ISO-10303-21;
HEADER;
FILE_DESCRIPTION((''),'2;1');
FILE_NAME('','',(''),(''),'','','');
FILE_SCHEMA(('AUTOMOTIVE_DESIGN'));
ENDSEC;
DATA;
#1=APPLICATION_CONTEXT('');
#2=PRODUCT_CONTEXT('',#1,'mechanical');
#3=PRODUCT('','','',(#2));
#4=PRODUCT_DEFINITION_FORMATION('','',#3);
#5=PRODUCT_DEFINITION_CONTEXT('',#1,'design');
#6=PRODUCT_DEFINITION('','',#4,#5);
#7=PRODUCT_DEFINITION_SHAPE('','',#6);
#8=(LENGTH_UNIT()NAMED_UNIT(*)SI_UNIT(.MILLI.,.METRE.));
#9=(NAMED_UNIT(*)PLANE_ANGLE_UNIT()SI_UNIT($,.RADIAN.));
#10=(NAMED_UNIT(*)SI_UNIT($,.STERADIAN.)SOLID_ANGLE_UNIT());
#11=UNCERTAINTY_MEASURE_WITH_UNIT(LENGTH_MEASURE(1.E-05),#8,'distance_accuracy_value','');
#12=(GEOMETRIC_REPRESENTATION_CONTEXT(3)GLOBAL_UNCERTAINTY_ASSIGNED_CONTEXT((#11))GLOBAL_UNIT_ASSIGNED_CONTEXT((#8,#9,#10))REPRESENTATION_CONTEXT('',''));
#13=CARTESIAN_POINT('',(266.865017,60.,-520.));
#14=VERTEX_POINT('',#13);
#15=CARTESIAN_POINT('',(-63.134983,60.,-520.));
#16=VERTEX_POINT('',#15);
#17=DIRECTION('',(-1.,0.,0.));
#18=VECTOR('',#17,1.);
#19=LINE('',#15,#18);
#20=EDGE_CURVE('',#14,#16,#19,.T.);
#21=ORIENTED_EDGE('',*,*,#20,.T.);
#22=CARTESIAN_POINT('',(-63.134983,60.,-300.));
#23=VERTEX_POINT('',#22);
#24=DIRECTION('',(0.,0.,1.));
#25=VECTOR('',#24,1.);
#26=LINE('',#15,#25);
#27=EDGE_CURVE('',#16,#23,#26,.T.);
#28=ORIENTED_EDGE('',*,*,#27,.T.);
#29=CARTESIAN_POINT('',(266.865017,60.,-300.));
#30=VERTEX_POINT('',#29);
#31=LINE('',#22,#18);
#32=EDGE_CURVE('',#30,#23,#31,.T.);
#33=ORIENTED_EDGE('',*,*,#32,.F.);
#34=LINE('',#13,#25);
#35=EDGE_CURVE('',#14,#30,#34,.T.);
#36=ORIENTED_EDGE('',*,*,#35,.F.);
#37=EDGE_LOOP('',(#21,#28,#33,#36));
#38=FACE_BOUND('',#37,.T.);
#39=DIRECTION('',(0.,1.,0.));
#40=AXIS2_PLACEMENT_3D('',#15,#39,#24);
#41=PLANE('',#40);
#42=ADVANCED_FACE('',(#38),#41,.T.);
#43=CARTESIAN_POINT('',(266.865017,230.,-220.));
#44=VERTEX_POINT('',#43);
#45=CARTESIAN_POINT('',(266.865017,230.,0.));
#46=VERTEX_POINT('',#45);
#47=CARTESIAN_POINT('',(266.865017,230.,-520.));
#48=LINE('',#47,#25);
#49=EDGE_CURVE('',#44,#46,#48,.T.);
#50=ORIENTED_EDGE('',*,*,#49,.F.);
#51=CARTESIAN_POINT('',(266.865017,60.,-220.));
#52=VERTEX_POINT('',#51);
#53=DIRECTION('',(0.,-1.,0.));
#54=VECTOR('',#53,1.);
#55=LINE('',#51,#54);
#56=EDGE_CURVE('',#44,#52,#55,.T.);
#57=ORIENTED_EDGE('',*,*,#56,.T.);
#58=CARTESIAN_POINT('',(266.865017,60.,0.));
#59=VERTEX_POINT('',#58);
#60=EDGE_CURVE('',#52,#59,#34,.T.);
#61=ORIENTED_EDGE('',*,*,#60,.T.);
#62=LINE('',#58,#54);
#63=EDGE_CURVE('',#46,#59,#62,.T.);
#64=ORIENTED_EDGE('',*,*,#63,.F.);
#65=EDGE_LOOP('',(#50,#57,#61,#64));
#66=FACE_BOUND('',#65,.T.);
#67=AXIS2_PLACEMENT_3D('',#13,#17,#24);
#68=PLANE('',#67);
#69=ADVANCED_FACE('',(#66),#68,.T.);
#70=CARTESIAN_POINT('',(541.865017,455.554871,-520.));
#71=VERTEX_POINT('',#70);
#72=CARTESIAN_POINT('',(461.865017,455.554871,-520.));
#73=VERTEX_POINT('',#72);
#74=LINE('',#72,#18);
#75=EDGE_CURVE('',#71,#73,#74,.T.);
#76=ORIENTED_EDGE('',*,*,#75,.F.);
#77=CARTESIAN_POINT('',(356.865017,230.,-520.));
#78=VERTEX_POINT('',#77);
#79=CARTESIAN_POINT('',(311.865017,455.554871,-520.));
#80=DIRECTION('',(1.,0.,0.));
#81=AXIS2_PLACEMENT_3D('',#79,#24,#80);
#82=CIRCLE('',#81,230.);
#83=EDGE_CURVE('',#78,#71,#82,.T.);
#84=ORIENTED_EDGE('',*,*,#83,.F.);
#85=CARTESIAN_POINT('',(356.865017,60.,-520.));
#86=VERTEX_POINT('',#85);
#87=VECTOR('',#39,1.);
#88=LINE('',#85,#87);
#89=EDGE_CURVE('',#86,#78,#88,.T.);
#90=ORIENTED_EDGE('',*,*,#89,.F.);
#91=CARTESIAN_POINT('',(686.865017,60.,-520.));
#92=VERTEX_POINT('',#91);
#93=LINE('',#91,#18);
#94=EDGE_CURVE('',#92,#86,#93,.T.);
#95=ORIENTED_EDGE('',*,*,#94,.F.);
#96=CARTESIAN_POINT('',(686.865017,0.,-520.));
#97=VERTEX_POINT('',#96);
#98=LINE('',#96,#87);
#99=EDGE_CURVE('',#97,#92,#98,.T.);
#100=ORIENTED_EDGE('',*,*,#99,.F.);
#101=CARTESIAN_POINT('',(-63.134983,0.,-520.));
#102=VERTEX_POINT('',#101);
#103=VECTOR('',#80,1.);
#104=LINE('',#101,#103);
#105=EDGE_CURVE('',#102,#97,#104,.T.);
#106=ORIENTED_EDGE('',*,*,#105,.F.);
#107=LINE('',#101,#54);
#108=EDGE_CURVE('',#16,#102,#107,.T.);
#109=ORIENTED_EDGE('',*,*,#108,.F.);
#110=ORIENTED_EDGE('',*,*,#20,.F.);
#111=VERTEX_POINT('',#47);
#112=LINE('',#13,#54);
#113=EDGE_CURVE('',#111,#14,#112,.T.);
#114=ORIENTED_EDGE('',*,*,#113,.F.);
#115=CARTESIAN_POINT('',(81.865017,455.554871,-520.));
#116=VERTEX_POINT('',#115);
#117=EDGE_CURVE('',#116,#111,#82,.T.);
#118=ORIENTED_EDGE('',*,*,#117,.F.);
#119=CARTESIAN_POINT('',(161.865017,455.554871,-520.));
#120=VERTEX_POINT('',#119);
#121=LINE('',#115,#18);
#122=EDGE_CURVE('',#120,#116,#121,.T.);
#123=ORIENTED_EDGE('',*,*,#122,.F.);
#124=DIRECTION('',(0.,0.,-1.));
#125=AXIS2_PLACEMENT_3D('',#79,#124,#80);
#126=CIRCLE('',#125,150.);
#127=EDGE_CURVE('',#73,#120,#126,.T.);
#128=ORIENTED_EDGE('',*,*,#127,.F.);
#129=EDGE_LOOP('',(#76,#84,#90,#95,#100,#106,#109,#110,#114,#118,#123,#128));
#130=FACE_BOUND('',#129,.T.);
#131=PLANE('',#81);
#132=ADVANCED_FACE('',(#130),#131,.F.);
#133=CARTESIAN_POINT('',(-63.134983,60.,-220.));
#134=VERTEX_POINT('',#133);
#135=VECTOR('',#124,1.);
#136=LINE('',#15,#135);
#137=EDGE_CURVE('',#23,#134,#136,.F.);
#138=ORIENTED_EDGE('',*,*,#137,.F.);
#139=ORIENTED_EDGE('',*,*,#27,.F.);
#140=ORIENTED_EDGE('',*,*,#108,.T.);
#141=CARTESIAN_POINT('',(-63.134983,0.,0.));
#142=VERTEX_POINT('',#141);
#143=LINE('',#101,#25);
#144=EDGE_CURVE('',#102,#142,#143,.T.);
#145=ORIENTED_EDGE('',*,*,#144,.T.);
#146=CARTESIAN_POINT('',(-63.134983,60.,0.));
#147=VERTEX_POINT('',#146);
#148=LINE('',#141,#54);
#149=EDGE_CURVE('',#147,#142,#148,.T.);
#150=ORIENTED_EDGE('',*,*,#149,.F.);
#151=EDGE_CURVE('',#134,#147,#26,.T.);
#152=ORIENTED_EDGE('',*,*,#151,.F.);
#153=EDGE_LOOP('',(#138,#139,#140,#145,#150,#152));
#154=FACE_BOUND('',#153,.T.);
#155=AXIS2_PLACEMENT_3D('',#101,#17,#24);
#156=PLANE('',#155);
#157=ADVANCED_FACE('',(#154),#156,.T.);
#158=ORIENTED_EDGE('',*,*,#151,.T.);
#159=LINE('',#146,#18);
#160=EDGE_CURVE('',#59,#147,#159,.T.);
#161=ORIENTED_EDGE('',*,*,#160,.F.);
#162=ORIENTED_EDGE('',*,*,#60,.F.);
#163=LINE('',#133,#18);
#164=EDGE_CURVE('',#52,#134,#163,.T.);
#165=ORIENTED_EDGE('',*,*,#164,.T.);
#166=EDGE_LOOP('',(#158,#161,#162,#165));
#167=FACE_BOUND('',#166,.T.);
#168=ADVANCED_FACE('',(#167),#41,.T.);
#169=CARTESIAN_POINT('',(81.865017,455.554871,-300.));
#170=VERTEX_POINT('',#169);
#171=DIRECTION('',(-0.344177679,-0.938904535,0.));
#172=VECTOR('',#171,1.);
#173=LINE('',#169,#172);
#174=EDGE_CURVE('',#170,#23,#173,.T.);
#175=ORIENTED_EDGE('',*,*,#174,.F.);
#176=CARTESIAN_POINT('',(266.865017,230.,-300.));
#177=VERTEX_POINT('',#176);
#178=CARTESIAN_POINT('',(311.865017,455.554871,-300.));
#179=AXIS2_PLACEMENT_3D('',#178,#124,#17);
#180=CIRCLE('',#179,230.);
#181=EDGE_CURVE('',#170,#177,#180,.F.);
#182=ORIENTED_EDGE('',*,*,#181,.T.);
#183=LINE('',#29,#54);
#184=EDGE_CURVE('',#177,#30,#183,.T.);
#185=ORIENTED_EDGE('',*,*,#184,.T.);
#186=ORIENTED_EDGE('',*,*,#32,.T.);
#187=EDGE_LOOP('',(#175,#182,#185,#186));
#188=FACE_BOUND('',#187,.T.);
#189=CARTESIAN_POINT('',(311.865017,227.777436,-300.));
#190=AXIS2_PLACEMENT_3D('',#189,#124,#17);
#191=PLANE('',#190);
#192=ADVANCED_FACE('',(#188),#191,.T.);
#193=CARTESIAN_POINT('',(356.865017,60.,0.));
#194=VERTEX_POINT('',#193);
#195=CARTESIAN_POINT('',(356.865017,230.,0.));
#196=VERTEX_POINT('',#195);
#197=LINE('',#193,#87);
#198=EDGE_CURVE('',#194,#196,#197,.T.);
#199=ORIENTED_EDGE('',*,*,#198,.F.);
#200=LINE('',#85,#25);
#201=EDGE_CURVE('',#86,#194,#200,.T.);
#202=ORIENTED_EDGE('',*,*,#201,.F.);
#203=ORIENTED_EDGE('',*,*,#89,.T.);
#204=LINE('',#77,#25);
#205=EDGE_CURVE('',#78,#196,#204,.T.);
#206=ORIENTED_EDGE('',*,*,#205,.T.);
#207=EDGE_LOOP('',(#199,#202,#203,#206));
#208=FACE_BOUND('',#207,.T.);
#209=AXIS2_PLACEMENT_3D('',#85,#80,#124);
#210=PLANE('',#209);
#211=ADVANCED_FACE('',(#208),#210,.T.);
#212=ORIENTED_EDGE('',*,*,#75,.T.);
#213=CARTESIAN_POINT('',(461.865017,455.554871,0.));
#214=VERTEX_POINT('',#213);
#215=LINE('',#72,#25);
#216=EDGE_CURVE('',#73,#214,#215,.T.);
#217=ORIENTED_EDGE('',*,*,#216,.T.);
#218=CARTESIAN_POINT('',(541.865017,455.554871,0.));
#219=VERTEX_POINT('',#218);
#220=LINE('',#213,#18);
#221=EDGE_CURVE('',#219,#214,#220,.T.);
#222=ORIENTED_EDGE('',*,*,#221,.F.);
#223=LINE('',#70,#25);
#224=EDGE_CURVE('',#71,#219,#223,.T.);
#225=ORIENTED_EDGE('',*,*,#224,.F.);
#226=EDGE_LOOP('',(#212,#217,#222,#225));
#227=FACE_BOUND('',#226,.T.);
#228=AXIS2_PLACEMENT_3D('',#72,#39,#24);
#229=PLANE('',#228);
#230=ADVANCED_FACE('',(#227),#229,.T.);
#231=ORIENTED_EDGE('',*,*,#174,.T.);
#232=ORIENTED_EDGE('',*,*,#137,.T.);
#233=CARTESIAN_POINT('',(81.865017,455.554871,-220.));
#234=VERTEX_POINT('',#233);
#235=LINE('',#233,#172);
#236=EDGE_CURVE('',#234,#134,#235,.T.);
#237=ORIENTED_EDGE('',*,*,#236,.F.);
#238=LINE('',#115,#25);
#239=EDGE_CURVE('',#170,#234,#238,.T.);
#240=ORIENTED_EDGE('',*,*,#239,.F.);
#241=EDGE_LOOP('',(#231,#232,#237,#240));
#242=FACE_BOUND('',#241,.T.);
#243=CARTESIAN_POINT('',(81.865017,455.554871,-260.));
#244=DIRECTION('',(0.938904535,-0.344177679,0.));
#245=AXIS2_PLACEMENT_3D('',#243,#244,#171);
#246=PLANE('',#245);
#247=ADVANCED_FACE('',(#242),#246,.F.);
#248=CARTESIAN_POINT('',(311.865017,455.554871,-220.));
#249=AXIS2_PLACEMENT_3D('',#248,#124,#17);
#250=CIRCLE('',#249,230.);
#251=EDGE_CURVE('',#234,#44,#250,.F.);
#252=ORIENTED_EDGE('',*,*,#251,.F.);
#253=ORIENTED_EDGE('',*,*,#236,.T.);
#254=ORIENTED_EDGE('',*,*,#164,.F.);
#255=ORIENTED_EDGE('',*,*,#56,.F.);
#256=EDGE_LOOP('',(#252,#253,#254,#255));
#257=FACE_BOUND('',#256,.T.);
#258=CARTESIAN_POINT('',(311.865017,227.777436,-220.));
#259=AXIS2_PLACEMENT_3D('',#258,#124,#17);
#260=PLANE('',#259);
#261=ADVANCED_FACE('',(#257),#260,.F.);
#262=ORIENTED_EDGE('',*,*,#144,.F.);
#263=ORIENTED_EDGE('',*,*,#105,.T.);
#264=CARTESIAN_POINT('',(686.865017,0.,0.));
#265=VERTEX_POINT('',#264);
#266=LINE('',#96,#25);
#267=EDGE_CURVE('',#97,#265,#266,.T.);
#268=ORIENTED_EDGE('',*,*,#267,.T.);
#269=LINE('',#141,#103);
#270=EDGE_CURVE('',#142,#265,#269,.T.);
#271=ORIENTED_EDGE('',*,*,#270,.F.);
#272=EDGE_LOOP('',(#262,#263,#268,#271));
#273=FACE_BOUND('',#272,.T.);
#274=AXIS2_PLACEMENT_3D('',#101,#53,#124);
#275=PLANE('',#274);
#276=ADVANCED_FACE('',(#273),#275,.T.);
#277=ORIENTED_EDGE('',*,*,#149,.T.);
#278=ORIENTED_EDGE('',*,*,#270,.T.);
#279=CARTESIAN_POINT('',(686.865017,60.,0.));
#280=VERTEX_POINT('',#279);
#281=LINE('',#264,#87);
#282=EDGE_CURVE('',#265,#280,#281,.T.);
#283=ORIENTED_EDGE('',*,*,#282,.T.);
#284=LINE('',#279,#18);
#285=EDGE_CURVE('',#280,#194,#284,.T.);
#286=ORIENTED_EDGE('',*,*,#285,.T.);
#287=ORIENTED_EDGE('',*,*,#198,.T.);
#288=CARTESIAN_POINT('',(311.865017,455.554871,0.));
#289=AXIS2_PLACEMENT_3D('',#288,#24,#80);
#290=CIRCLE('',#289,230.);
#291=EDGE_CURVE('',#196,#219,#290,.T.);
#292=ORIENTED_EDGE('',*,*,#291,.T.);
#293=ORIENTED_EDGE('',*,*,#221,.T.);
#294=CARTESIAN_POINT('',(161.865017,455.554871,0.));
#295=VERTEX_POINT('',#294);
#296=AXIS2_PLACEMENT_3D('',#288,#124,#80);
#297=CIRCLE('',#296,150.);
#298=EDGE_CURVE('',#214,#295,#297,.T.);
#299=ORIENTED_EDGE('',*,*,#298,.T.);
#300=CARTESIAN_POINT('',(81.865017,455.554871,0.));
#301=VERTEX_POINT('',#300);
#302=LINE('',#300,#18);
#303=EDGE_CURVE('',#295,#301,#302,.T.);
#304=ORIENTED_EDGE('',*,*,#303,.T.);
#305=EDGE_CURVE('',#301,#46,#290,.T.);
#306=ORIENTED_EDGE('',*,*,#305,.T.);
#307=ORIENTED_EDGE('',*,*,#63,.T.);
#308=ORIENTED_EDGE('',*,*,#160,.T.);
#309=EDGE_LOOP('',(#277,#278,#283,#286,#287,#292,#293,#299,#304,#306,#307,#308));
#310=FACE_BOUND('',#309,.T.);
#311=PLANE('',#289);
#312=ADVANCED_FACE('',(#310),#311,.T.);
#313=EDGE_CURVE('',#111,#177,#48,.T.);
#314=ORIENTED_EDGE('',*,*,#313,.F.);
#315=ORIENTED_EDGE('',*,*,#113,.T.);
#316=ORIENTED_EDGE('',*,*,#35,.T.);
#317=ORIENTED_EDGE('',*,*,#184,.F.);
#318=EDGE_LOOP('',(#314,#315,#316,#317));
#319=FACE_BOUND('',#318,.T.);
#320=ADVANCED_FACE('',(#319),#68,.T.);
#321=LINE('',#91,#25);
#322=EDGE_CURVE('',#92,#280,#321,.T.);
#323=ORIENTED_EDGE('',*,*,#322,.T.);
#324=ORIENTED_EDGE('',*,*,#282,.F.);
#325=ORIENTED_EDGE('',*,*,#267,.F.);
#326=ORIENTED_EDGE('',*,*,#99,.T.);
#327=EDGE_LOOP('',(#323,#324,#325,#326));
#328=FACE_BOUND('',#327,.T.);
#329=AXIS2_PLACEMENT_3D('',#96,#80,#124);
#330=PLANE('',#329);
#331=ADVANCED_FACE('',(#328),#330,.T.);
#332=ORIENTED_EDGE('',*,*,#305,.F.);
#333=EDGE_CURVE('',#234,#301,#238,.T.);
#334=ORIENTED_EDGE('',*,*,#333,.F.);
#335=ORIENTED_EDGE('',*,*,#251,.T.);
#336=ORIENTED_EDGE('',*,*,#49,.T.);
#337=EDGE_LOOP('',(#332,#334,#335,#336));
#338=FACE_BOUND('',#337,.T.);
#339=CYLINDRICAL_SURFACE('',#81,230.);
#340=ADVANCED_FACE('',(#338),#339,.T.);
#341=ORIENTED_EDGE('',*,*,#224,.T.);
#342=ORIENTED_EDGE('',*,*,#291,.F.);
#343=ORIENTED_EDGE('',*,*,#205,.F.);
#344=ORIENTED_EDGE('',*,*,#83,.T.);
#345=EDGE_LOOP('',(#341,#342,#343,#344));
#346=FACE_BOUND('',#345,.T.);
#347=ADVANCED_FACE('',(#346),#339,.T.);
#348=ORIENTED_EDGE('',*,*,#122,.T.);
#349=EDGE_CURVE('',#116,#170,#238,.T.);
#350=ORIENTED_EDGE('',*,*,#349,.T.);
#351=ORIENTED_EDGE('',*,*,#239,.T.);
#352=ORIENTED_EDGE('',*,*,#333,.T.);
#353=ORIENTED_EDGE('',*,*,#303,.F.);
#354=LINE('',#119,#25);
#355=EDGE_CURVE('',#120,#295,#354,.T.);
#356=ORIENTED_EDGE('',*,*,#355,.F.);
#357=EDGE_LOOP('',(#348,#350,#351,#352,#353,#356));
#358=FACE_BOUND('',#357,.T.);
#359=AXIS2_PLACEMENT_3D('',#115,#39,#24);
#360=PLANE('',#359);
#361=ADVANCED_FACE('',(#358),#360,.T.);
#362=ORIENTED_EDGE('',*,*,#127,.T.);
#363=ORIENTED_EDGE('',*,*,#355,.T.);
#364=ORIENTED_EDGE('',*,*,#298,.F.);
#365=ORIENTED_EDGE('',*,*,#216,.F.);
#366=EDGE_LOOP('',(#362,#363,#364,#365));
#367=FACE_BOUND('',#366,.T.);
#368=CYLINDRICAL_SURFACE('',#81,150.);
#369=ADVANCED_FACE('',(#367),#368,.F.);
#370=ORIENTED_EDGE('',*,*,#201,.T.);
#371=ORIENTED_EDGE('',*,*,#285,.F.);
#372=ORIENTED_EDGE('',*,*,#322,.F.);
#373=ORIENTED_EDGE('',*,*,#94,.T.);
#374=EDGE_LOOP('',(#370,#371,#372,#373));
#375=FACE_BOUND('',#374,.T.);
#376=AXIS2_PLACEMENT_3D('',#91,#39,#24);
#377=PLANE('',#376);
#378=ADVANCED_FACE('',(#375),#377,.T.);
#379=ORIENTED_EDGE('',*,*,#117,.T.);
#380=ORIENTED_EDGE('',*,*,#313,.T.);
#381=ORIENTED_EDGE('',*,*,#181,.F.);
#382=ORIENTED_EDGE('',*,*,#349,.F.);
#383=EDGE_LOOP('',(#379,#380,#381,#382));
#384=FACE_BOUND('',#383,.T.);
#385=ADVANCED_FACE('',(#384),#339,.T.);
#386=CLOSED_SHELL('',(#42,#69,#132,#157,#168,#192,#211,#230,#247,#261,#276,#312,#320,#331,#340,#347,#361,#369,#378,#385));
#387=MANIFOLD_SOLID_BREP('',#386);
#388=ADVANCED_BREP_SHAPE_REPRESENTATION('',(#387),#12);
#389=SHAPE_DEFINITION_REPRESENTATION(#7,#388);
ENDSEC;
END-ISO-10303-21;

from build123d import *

# Parameters (mm, degrees)
BOSS_EXTRUDE1_DEPTH = 520
RIB15_REACH         = 866.242
SKETCH14_WALL_W     = 2151.777513516
SKETCH14_WALL_H     = 80


with BuildPart() as part:
    # Sketch1 → Boss-Extrude1 (new body)
    with BuildSketch(Plane.XY):
        with BuildLine():
            Line((-63.134983493, 0), (686.865016507, 0))
            Line((686.865016507, 0), (686.865016507, 60))
            Line((686.865016507, 60), (356.865016507, 60))
            Line((356.865016507, 60), (356.865016507, 230))
            ThreePointArc((356.865016507, 230), (489.699208945, 309.695349915), (541.865016507, 455.554871373))
            Line((541.865016507, 455.554871373), (461.865016507, 455.554871373))
            ThreePointArc((461.865016507, 455.554871373), (311.865016507, 305.554871373), (161.865016507, 455.554871373))
            Line((161.865016507, 455.554871373), (81.865016507, 455.554871373))
            ThreePointArc((81.865016507, 455.554871373), (134.03082407, 309.695349915), (266.865016507, 230))
            Line((266.865016507, 230), (266.865016507, 60))
            Line((266.865016507, 60), (-63.134983493, 60))
            Line((-63.134983493, 60), (-63.134983493, 0))
        make_face()
    extrude(amount=-BOSS_EXTRUDE1_DEPTH)

    # Sketch14 wall → Rib15 (add, up to next)
    with BuildSketch(Plane(origin=(9.365016507, 257.777435686, -260), x_dir=(-0.344177678967, -0.938904534711, 0), z_dir=(-0.938904534711, 0.344177678967, 0)), mode=Mode.PRIVATE) as rib15_sk1:
        Rectangle(SKETCH14_WALL_W, SKETCH14_WALL_H)
    rib15_tool1 = extrude(rib15_sk1.sketch, amount=-RIB15_REACH, mode=Mode.PRIVATE) - part.part
    add(rib15_tool1.solids().sort_by_distance((9.365016507, 257.777435686, -260))[0])


solid = part.part
